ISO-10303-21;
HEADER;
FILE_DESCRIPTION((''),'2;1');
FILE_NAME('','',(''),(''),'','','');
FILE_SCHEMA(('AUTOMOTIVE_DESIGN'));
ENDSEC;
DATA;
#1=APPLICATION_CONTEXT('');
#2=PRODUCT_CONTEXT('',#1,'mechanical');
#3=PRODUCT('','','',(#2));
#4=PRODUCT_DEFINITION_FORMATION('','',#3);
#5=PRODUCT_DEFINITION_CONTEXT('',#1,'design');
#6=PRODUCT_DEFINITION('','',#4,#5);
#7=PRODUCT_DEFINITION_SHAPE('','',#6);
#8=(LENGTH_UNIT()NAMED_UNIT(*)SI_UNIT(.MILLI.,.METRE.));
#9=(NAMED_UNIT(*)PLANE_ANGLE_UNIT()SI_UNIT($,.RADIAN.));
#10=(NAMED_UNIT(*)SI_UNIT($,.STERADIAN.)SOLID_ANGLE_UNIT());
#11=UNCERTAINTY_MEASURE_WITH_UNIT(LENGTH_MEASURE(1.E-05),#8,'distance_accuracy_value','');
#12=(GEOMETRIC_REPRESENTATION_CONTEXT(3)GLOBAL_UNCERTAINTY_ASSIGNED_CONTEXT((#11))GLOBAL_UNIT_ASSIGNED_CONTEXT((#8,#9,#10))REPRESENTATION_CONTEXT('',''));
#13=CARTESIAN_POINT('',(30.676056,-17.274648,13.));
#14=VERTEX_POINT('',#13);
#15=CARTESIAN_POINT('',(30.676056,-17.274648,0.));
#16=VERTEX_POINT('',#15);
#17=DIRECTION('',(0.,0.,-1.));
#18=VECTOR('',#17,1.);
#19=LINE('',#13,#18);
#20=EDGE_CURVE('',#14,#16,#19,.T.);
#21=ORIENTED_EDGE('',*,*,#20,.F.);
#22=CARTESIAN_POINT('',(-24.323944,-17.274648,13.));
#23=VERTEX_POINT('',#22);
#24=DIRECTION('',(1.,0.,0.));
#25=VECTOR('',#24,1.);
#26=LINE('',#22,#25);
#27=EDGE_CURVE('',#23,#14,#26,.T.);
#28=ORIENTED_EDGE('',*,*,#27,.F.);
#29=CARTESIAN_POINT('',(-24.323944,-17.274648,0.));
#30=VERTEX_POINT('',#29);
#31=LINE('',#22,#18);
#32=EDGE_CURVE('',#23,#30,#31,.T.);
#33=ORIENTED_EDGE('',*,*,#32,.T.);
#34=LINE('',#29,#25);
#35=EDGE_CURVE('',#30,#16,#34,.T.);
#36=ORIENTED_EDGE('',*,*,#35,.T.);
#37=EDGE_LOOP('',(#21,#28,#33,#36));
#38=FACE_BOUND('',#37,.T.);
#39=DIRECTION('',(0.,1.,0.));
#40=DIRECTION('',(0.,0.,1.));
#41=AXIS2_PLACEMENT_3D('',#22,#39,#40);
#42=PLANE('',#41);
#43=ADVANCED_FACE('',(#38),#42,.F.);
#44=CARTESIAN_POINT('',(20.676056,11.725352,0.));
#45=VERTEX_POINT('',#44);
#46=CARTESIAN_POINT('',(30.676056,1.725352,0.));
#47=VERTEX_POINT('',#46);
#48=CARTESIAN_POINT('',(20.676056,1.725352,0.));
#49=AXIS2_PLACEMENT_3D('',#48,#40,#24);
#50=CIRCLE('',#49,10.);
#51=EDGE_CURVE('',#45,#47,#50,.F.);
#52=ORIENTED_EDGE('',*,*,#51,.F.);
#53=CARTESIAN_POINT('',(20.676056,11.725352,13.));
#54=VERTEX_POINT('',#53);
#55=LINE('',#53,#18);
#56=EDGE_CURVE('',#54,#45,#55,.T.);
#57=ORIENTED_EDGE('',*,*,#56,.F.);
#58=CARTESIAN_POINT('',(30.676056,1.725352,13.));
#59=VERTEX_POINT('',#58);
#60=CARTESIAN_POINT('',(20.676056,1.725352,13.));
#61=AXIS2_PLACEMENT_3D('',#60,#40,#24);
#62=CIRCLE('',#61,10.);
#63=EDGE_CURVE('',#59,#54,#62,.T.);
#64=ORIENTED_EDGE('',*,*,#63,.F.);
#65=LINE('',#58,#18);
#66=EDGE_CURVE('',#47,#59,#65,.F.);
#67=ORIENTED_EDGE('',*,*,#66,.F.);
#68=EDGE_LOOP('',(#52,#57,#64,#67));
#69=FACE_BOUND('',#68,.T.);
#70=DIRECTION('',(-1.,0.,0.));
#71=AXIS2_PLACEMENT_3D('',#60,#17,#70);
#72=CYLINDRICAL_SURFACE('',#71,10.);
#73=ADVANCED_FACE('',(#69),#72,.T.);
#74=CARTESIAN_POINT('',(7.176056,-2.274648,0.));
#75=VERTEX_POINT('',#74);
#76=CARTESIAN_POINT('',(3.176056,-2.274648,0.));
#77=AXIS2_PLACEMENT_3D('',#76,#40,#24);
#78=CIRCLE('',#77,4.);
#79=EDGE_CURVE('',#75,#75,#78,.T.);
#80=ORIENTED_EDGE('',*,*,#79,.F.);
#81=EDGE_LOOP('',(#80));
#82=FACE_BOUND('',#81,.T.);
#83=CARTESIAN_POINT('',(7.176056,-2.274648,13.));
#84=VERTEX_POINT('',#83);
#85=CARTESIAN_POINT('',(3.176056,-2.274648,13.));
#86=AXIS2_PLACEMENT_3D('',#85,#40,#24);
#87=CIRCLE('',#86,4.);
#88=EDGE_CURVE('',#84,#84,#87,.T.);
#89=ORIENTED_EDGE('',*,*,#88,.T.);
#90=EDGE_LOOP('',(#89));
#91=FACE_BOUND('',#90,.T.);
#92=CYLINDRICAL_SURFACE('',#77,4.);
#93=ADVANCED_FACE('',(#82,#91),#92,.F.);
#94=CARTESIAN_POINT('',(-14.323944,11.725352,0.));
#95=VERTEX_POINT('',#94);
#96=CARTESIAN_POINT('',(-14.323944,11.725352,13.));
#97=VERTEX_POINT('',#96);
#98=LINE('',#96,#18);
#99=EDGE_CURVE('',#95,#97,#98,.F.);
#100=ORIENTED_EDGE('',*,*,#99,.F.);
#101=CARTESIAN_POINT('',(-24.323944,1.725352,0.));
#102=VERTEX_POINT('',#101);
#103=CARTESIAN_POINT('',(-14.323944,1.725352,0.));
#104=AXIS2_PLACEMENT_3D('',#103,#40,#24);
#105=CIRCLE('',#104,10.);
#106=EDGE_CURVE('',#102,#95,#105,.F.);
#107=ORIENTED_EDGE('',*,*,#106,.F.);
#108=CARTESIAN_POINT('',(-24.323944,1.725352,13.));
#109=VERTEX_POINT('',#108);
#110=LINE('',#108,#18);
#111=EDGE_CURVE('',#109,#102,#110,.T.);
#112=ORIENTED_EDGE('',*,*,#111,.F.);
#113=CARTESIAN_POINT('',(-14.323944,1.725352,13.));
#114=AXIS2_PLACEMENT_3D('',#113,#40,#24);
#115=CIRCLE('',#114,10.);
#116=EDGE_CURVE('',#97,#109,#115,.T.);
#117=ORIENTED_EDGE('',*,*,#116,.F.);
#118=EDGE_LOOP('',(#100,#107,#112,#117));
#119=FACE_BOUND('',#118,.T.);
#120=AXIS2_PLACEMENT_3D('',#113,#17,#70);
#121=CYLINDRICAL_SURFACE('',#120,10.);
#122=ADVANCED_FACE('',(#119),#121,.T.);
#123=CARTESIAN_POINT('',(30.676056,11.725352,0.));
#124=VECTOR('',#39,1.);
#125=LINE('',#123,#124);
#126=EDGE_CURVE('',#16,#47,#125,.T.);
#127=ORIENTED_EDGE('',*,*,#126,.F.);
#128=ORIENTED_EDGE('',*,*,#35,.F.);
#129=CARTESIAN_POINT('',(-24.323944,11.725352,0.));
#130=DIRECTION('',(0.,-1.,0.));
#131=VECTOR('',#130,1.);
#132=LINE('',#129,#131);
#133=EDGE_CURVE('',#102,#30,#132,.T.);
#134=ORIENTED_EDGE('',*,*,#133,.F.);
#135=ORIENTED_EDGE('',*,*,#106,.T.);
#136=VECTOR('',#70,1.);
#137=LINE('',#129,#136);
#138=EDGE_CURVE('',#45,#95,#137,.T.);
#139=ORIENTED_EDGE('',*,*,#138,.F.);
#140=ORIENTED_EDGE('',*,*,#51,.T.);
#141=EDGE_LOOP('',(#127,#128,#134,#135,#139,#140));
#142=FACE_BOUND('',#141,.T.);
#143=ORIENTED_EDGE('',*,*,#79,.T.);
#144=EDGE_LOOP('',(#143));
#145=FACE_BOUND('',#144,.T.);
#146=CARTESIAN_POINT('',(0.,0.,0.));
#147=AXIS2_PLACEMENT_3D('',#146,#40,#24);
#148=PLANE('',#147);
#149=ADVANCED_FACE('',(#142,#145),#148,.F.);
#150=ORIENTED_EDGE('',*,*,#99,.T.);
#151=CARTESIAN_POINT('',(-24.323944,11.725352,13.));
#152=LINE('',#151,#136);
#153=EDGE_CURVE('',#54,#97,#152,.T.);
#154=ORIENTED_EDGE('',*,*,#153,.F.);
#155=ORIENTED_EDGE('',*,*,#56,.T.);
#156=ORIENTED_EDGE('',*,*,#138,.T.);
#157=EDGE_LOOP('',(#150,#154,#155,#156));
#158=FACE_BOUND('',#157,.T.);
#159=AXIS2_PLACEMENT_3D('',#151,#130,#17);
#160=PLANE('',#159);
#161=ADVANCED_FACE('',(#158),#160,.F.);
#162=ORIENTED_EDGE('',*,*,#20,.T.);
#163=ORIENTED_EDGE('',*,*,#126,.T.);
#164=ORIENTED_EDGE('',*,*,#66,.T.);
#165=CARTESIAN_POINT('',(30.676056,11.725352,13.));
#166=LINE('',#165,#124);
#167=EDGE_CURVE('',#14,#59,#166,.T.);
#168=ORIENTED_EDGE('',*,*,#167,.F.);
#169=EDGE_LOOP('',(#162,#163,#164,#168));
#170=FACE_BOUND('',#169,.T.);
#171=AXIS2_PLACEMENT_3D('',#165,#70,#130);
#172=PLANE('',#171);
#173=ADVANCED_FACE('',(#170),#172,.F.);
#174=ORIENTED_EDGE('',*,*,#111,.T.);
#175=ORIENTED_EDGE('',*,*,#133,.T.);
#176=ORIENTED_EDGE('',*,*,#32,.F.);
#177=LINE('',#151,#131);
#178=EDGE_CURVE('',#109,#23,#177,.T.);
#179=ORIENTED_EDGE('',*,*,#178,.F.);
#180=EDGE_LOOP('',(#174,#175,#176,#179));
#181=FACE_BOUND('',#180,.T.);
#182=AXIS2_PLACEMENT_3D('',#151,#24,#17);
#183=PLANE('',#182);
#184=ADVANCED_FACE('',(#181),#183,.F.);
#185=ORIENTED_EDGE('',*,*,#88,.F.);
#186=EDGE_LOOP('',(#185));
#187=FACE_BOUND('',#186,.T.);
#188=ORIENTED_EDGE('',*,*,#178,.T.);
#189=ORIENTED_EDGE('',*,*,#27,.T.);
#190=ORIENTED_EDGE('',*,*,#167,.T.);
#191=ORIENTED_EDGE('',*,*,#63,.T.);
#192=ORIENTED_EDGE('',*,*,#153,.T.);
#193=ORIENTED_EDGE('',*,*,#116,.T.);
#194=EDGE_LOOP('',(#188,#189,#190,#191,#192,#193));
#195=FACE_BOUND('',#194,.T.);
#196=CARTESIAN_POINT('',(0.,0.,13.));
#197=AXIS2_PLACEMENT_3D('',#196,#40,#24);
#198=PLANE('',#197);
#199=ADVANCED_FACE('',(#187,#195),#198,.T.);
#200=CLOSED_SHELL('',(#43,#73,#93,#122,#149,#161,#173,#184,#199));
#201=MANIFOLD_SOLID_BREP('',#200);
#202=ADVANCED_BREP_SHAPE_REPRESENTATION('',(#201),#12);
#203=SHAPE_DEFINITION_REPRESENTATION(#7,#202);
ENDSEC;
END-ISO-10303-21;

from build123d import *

# Parameters (mm, degrees)
SKETCH_1_W           = 55
SKETCH_1_H           = 29
EXTRUDE_1_DEPTH      = 13
SKETCH_2_OUTSIDE_W   = 69.704
SKETCH_2_OUTSIDE_H   = 43.704
SKETCH_2_OUTSIDE_W_2 = 55
SKETCH_2_OUTSIDE_H_2 = 29
SKETCH_2_OUTSIDE_R   = 4
CUT_EXTRUDE_1_DEPTH  = 13
FILLET_1_R           = 10


with BuildPart() as part:
    # 草图1 → 凸台-拉伸1 (new body)
    with BuildSketch(Plane.XY):
        with Locations((3.176056338, -2.774647887)):
            Rectangle(SKETCH_1_W, SKETCH_1_H)
    extrude(amount=EXTRUDE_1_DEPTH)

    # 草图2 outside → 切除-拉伸1 (cut)
    with BuildSketch(Plane.XY.offset(13)):
        with Locations((3.176, -2.775)):
            Rectangle(SKETCH_2_OUTSIDE_W, SKETCH_2_OUTSIDE_H)
        with Locations((3.176056338, -2.774647887)):
            Rectangle(SKETCH_2_OUTSIDE_W_2, SKETCH_2_OUTSIDE_H_2, mode=Mode.SUBTRACT)
        with Locations((3.176056338, -2.274647887)):
            Circle(SKETCH_2_OUTSIDE_R)
    extrude(amount=-CUT_EXTRUDE_1_DEPTH, mode=Mode.SUBTRACT)

    # 圆角1
    fillet_1_edges = [part.edges().sort_by_distance(p)[0] for p in [
        (-24.323943662, 11.725352113, 6.5),
        (30.676056338, 11.725352113, 6.5),
    ]]
    fillet(fillet_1_edges, radius=FILLET_1_R)


solid = part.part
